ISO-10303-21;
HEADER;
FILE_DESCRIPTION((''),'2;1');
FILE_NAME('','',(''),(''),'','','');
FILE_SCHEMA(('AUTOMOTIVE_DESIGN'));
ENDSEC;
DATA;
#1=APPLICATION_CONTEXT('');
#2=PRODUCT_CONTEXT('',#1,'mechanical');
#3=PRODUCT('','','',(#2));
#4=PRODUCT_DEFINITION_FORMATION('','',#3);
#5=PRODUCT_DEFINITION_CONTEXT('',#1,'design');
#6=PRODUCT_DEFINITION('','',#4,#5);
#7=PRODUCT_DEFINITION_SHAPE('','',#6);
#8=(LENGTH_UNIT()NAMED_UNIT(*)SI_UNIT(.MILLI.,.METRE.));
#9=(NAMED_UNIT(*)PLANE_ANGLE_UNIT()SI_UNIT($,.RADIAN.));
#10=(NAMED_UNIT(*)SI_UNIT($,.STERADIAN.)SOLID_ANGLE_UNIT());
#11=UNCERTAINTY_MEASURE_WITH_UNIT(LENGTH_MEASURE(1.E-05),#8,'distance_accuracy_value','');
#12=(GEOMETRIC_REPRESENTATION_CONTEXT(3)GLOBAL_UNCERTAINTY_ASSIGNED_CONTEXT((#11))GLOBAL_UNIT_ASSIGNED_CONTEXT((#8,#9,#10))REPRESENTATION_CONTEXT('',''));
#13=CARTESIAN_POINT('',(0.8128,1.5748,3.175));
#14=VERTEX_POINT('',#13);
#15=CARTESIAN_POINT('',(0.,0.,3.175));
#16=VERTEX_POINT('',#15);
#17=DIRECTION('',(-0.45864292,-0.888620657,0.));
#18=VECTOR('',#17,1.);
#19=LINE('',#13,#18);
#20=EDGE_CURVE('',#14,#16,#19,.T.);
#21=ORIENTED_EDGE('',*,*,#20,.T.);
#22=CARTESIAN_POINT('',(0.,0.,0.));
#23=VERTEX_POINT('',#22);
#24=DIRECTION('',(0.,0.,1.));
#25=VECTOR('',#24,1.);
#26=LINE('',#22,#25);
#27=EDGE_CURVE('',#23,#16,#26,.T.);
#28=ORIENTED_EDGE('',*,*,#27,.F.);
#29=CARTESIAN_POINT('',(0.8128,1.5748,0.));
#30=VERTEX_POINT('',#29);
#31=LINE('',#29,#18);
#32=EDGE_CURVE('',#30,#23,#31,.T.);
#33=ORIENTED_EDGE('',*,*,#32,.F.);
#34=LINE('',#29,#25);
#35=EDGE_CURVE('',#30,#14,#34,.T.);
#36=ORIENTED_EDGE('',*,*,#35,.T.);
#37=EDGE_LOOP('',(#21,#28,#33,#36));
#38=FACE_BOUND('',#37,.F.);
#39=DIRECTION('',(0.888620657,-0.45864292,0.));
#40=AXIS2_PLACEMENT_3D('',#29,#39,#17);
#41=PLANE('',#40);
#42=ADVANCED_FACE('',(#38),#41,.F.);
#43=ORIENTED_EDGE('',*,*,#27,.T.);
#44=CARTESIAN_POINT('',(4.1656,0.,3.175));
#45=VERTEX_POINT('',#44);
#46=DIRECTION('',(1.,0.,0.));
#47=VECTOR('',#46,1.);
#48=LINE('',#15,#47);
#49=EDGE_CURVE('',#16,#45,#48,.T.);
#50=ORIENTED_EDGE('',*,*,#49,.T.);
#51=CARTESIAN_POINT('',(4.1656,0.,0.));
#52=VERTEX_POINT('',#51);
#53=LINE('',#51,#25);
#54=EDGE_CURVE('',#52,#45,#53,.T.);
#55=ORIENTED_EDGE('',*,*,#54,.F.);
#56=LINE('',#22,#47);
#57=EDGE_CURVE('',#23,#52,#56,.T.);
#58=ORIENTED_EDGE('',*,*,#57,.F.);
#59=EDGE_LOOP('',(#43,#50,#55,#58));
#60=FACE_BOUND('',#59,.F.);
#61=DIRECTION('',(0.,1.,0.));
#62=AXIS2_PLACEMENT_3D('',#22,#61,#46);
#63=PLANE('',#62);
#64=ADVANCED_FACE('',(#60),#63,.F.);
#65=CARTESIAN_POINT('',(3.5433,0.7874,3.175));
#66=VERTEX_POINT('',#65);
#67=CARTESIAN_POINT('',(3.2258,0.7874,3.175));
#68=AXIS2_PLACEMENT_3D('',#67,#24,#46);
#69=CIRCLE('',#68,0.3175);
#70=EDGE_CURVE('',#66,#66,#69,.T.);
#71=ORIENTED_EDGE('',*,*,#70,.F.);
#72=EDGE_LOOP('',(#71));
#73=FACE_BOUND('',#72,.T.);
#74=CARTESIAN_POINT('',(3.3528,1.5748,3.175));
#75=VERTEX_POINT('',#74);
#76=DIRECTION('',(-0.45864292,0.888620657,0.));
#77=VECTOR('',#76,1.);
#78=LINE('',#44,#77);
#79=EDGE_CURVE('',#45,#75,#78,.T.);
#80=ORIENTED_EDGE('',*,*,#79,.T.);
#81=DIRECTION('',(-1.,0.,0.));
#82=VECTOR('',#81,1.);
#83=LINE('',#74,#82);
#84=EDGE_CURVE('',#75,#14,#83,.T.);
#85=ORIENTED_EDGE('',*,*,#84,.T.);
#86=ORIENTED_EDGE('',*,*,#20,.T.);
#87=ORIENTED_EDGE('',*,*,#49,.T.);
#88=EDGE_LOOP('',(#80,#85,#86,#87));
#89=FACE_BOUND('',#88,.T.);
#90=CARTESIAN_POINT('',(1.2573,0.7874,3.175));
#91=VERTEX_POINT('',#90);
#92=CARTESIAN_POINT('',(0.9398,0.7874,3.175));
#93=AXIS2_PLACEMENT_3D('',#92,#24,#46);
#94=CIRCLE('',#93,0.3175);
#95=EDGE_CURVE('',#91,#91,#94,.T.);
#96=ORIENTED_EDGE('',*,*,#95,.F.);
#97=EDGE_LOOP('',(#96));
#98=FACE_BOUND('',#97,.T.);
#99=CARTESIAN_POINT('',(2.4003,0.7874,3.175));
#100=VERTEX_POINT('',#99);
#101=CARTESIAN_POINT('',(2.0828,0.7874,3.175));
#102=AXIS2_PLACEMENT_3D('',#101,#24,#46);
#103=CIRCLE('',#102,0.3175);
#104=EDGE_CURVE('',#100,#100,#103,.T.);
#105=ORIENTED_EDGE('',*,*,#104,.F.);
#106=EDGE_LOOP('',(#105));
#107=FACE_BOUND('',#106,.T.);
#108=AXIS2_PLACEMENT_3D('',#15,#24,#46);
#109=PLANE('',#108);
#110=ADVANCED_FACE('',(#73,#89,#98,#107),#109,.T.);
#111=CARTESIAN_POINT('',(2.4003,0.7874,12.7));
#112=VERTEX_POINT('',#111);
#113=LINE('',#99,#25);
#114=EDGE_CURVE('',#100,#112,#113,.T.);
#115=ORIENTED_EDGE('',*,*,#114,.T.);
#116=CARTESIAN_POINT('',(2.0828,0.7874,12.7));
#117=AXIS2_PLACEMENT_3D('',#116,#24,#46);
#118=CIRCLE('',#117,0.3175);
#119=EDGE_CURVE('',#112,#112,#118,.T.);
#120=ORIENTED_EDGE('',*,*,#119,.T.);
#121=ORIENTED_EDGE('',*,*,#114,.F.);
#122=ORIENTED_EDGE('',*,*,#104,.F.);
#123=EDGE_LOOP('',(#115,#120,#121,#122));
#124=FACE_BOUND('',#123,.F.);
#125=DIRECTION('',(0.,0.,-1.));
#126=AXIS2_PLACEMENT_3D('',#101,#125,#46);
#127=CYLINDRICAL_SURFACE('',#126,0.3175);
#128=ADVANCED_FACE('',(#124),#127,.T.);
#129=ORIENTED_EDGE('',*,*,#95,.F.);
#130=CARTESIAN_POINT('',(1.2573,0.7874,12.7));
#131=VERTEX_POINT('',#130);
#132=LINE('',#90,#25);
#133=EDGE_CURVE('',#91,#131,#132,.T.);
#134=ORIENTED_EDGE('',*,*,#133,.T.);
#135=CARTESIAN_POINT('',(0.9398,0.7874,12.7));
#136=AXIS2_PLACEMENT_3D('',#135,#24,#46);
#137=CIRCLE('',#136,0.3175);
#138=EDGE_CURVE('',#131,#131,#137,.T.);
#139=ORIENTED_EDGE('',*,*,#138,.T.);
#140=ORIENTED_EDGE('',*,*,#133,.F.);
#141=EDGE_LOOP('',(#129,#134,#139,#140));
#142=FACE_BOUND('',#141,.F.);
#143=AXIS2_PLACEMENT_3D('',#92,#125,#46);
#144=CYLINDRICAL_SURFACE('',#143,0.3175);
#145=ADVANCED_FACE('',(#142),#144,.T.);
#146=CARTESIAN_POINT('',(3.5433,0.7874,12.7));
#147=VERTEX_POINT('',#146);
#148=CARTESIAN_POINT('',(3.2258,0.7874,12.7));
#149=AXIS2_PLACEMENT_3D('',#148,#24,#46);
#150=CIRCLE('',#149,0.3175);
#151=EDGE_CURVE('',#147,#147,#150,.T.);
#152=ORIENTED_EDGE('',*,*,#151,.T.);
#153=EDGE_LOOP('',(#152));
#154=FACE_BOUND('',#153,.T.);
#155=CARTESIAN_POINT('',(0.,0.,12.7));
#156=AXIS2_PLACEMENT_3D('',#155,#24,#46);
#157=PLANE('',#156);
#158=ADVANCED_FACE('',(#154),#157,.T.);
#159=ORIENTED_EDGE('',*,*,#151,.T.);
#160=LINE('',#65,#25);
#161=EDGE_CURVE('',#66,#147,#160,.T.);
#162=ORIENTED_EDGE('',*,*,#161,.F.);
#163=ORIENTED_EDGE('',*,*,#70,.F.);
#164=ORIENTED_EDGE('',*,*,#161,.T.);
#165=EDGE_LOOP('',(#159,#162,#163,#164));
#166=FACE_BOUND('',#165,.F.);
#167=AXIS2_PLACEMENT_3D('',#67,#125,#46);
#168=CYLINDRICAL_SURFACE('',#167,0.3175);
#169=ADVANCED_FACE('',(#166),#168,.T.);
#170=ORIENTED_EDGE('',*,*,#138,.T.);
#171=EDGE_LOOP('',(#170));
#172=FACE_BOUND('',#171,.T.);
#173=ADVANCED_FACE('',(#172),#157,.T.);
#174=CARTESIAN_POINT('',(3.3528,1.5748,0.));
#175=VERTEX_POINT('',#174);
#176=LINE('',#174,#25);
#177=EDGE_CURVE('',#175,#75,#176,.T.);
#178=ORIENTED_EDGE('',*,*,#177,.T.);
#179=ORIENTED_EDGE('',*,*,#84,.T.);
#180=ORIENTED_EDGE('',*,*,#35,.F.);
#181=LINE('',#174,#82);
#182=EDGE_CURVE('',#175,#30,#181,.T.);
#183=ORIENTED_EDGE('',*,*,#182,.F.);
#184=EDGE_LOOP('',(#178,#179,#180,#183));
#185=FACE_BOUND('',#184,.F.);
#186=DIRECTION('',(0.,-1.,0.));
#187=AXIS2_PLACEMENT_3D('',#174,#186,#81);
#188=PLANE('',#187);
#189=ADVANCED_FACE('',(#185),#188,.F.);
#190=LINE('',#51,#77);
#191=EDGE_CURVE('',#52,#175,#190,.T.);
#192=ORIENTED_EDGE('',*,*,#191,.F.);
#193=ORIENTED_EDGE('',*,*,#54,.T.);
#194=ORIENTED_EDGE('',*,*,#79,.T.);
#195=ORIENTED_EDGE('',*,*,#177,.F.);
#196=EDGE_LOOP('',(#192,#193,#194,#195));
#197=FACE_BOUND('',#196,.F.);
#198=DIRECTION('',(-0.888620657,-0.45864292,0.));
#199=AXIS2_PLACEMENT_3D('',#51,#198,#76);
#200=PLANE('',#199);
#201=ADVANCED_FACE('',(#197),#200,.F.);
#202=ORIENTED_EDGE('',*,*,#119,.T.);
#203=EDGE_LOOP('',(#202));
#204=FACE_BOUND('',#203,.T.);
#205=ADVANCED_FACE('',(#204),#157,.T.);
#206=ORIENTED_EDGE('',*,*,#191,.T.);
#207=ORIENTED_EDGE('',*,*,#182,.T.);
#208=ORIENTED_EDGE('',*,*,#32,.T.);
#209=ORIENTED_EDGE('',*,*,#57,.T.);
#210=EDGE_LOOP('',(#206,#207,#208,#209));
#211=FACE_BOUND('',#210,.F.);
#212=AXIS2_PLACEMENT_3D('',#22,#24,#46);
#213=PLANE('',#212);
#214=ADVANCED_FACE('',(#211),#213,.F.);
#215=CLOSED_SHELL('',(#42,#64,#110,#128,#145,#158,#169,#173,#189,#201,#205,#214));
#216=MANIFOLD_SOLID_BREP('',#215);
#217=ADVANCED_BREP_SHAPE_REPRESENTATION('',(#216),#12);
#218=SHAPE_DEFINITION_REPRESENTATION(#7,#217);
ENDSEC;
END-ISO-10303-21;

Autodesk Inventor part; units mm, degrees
ref_plane "YZ Plane" through (0, 0, 0) normal (1, 0, 0) x (0, 1, 0)
ref_plane "XZ Plane" through (0, 0, 0) normal (0, 1, 0) x (-1, 0, 0)
ref_plane "XY Plane" through (0, 0, 0) normal (0, 0, 1) x (1, 0, 0)
sketch "Sketch1" plane through (0, 0, 0) normal (0, 0, 1) x (1, 0, 0)
  line L0 (0, 0) -> (4.1656, 0)
  line L1 (4.1656, 0) -> (3.3528, 1.5748)
  line L2 (3.3528, 1.5748) -> (0.8128, 1.5748)
  line L3 (0.8128, 1.5748) -> (0, 0)
  dimension "d0" = 4.1656
  dimension "d1" = 2.54
  dimension "d2" = 1.5748
extrude "Extrusion1" add sketch "Sketch1" along normal blind 3.175
sketch "Sketch2" plane through (0, 0, 3.175) normal (0, 0, 1) x (1, 0, 0)
  line L0 (0.8128, 1.5748) -> (0, 0) construction
  line L1 (0.4064, 0.7874) -> (3.7592, 0.7874) construction
  line L2 (4.1656, 0) -> (3.3528, 1.5748) construction
  circle A0 centre (2.0828, 0.7874) radius 0.3175
  circle A1 centre (3.2258, 0.7874) radius 0.3175
  circle A2 centre (0.9398, 0.7874) radius 0.3175
  dimension "d5" = 0.635
  dimension "d6" = 0.635
  dimension "d7" = 0.635
  dimension "d8" = 1.143
  dimension "d9" = 1.143
extrude "Extrusion2" add sketch "Sketch2" along normal blind 9.525
equation "\"d9\" = d8"
properties part number "HallEffectSensor" material "ABS Plastic"
